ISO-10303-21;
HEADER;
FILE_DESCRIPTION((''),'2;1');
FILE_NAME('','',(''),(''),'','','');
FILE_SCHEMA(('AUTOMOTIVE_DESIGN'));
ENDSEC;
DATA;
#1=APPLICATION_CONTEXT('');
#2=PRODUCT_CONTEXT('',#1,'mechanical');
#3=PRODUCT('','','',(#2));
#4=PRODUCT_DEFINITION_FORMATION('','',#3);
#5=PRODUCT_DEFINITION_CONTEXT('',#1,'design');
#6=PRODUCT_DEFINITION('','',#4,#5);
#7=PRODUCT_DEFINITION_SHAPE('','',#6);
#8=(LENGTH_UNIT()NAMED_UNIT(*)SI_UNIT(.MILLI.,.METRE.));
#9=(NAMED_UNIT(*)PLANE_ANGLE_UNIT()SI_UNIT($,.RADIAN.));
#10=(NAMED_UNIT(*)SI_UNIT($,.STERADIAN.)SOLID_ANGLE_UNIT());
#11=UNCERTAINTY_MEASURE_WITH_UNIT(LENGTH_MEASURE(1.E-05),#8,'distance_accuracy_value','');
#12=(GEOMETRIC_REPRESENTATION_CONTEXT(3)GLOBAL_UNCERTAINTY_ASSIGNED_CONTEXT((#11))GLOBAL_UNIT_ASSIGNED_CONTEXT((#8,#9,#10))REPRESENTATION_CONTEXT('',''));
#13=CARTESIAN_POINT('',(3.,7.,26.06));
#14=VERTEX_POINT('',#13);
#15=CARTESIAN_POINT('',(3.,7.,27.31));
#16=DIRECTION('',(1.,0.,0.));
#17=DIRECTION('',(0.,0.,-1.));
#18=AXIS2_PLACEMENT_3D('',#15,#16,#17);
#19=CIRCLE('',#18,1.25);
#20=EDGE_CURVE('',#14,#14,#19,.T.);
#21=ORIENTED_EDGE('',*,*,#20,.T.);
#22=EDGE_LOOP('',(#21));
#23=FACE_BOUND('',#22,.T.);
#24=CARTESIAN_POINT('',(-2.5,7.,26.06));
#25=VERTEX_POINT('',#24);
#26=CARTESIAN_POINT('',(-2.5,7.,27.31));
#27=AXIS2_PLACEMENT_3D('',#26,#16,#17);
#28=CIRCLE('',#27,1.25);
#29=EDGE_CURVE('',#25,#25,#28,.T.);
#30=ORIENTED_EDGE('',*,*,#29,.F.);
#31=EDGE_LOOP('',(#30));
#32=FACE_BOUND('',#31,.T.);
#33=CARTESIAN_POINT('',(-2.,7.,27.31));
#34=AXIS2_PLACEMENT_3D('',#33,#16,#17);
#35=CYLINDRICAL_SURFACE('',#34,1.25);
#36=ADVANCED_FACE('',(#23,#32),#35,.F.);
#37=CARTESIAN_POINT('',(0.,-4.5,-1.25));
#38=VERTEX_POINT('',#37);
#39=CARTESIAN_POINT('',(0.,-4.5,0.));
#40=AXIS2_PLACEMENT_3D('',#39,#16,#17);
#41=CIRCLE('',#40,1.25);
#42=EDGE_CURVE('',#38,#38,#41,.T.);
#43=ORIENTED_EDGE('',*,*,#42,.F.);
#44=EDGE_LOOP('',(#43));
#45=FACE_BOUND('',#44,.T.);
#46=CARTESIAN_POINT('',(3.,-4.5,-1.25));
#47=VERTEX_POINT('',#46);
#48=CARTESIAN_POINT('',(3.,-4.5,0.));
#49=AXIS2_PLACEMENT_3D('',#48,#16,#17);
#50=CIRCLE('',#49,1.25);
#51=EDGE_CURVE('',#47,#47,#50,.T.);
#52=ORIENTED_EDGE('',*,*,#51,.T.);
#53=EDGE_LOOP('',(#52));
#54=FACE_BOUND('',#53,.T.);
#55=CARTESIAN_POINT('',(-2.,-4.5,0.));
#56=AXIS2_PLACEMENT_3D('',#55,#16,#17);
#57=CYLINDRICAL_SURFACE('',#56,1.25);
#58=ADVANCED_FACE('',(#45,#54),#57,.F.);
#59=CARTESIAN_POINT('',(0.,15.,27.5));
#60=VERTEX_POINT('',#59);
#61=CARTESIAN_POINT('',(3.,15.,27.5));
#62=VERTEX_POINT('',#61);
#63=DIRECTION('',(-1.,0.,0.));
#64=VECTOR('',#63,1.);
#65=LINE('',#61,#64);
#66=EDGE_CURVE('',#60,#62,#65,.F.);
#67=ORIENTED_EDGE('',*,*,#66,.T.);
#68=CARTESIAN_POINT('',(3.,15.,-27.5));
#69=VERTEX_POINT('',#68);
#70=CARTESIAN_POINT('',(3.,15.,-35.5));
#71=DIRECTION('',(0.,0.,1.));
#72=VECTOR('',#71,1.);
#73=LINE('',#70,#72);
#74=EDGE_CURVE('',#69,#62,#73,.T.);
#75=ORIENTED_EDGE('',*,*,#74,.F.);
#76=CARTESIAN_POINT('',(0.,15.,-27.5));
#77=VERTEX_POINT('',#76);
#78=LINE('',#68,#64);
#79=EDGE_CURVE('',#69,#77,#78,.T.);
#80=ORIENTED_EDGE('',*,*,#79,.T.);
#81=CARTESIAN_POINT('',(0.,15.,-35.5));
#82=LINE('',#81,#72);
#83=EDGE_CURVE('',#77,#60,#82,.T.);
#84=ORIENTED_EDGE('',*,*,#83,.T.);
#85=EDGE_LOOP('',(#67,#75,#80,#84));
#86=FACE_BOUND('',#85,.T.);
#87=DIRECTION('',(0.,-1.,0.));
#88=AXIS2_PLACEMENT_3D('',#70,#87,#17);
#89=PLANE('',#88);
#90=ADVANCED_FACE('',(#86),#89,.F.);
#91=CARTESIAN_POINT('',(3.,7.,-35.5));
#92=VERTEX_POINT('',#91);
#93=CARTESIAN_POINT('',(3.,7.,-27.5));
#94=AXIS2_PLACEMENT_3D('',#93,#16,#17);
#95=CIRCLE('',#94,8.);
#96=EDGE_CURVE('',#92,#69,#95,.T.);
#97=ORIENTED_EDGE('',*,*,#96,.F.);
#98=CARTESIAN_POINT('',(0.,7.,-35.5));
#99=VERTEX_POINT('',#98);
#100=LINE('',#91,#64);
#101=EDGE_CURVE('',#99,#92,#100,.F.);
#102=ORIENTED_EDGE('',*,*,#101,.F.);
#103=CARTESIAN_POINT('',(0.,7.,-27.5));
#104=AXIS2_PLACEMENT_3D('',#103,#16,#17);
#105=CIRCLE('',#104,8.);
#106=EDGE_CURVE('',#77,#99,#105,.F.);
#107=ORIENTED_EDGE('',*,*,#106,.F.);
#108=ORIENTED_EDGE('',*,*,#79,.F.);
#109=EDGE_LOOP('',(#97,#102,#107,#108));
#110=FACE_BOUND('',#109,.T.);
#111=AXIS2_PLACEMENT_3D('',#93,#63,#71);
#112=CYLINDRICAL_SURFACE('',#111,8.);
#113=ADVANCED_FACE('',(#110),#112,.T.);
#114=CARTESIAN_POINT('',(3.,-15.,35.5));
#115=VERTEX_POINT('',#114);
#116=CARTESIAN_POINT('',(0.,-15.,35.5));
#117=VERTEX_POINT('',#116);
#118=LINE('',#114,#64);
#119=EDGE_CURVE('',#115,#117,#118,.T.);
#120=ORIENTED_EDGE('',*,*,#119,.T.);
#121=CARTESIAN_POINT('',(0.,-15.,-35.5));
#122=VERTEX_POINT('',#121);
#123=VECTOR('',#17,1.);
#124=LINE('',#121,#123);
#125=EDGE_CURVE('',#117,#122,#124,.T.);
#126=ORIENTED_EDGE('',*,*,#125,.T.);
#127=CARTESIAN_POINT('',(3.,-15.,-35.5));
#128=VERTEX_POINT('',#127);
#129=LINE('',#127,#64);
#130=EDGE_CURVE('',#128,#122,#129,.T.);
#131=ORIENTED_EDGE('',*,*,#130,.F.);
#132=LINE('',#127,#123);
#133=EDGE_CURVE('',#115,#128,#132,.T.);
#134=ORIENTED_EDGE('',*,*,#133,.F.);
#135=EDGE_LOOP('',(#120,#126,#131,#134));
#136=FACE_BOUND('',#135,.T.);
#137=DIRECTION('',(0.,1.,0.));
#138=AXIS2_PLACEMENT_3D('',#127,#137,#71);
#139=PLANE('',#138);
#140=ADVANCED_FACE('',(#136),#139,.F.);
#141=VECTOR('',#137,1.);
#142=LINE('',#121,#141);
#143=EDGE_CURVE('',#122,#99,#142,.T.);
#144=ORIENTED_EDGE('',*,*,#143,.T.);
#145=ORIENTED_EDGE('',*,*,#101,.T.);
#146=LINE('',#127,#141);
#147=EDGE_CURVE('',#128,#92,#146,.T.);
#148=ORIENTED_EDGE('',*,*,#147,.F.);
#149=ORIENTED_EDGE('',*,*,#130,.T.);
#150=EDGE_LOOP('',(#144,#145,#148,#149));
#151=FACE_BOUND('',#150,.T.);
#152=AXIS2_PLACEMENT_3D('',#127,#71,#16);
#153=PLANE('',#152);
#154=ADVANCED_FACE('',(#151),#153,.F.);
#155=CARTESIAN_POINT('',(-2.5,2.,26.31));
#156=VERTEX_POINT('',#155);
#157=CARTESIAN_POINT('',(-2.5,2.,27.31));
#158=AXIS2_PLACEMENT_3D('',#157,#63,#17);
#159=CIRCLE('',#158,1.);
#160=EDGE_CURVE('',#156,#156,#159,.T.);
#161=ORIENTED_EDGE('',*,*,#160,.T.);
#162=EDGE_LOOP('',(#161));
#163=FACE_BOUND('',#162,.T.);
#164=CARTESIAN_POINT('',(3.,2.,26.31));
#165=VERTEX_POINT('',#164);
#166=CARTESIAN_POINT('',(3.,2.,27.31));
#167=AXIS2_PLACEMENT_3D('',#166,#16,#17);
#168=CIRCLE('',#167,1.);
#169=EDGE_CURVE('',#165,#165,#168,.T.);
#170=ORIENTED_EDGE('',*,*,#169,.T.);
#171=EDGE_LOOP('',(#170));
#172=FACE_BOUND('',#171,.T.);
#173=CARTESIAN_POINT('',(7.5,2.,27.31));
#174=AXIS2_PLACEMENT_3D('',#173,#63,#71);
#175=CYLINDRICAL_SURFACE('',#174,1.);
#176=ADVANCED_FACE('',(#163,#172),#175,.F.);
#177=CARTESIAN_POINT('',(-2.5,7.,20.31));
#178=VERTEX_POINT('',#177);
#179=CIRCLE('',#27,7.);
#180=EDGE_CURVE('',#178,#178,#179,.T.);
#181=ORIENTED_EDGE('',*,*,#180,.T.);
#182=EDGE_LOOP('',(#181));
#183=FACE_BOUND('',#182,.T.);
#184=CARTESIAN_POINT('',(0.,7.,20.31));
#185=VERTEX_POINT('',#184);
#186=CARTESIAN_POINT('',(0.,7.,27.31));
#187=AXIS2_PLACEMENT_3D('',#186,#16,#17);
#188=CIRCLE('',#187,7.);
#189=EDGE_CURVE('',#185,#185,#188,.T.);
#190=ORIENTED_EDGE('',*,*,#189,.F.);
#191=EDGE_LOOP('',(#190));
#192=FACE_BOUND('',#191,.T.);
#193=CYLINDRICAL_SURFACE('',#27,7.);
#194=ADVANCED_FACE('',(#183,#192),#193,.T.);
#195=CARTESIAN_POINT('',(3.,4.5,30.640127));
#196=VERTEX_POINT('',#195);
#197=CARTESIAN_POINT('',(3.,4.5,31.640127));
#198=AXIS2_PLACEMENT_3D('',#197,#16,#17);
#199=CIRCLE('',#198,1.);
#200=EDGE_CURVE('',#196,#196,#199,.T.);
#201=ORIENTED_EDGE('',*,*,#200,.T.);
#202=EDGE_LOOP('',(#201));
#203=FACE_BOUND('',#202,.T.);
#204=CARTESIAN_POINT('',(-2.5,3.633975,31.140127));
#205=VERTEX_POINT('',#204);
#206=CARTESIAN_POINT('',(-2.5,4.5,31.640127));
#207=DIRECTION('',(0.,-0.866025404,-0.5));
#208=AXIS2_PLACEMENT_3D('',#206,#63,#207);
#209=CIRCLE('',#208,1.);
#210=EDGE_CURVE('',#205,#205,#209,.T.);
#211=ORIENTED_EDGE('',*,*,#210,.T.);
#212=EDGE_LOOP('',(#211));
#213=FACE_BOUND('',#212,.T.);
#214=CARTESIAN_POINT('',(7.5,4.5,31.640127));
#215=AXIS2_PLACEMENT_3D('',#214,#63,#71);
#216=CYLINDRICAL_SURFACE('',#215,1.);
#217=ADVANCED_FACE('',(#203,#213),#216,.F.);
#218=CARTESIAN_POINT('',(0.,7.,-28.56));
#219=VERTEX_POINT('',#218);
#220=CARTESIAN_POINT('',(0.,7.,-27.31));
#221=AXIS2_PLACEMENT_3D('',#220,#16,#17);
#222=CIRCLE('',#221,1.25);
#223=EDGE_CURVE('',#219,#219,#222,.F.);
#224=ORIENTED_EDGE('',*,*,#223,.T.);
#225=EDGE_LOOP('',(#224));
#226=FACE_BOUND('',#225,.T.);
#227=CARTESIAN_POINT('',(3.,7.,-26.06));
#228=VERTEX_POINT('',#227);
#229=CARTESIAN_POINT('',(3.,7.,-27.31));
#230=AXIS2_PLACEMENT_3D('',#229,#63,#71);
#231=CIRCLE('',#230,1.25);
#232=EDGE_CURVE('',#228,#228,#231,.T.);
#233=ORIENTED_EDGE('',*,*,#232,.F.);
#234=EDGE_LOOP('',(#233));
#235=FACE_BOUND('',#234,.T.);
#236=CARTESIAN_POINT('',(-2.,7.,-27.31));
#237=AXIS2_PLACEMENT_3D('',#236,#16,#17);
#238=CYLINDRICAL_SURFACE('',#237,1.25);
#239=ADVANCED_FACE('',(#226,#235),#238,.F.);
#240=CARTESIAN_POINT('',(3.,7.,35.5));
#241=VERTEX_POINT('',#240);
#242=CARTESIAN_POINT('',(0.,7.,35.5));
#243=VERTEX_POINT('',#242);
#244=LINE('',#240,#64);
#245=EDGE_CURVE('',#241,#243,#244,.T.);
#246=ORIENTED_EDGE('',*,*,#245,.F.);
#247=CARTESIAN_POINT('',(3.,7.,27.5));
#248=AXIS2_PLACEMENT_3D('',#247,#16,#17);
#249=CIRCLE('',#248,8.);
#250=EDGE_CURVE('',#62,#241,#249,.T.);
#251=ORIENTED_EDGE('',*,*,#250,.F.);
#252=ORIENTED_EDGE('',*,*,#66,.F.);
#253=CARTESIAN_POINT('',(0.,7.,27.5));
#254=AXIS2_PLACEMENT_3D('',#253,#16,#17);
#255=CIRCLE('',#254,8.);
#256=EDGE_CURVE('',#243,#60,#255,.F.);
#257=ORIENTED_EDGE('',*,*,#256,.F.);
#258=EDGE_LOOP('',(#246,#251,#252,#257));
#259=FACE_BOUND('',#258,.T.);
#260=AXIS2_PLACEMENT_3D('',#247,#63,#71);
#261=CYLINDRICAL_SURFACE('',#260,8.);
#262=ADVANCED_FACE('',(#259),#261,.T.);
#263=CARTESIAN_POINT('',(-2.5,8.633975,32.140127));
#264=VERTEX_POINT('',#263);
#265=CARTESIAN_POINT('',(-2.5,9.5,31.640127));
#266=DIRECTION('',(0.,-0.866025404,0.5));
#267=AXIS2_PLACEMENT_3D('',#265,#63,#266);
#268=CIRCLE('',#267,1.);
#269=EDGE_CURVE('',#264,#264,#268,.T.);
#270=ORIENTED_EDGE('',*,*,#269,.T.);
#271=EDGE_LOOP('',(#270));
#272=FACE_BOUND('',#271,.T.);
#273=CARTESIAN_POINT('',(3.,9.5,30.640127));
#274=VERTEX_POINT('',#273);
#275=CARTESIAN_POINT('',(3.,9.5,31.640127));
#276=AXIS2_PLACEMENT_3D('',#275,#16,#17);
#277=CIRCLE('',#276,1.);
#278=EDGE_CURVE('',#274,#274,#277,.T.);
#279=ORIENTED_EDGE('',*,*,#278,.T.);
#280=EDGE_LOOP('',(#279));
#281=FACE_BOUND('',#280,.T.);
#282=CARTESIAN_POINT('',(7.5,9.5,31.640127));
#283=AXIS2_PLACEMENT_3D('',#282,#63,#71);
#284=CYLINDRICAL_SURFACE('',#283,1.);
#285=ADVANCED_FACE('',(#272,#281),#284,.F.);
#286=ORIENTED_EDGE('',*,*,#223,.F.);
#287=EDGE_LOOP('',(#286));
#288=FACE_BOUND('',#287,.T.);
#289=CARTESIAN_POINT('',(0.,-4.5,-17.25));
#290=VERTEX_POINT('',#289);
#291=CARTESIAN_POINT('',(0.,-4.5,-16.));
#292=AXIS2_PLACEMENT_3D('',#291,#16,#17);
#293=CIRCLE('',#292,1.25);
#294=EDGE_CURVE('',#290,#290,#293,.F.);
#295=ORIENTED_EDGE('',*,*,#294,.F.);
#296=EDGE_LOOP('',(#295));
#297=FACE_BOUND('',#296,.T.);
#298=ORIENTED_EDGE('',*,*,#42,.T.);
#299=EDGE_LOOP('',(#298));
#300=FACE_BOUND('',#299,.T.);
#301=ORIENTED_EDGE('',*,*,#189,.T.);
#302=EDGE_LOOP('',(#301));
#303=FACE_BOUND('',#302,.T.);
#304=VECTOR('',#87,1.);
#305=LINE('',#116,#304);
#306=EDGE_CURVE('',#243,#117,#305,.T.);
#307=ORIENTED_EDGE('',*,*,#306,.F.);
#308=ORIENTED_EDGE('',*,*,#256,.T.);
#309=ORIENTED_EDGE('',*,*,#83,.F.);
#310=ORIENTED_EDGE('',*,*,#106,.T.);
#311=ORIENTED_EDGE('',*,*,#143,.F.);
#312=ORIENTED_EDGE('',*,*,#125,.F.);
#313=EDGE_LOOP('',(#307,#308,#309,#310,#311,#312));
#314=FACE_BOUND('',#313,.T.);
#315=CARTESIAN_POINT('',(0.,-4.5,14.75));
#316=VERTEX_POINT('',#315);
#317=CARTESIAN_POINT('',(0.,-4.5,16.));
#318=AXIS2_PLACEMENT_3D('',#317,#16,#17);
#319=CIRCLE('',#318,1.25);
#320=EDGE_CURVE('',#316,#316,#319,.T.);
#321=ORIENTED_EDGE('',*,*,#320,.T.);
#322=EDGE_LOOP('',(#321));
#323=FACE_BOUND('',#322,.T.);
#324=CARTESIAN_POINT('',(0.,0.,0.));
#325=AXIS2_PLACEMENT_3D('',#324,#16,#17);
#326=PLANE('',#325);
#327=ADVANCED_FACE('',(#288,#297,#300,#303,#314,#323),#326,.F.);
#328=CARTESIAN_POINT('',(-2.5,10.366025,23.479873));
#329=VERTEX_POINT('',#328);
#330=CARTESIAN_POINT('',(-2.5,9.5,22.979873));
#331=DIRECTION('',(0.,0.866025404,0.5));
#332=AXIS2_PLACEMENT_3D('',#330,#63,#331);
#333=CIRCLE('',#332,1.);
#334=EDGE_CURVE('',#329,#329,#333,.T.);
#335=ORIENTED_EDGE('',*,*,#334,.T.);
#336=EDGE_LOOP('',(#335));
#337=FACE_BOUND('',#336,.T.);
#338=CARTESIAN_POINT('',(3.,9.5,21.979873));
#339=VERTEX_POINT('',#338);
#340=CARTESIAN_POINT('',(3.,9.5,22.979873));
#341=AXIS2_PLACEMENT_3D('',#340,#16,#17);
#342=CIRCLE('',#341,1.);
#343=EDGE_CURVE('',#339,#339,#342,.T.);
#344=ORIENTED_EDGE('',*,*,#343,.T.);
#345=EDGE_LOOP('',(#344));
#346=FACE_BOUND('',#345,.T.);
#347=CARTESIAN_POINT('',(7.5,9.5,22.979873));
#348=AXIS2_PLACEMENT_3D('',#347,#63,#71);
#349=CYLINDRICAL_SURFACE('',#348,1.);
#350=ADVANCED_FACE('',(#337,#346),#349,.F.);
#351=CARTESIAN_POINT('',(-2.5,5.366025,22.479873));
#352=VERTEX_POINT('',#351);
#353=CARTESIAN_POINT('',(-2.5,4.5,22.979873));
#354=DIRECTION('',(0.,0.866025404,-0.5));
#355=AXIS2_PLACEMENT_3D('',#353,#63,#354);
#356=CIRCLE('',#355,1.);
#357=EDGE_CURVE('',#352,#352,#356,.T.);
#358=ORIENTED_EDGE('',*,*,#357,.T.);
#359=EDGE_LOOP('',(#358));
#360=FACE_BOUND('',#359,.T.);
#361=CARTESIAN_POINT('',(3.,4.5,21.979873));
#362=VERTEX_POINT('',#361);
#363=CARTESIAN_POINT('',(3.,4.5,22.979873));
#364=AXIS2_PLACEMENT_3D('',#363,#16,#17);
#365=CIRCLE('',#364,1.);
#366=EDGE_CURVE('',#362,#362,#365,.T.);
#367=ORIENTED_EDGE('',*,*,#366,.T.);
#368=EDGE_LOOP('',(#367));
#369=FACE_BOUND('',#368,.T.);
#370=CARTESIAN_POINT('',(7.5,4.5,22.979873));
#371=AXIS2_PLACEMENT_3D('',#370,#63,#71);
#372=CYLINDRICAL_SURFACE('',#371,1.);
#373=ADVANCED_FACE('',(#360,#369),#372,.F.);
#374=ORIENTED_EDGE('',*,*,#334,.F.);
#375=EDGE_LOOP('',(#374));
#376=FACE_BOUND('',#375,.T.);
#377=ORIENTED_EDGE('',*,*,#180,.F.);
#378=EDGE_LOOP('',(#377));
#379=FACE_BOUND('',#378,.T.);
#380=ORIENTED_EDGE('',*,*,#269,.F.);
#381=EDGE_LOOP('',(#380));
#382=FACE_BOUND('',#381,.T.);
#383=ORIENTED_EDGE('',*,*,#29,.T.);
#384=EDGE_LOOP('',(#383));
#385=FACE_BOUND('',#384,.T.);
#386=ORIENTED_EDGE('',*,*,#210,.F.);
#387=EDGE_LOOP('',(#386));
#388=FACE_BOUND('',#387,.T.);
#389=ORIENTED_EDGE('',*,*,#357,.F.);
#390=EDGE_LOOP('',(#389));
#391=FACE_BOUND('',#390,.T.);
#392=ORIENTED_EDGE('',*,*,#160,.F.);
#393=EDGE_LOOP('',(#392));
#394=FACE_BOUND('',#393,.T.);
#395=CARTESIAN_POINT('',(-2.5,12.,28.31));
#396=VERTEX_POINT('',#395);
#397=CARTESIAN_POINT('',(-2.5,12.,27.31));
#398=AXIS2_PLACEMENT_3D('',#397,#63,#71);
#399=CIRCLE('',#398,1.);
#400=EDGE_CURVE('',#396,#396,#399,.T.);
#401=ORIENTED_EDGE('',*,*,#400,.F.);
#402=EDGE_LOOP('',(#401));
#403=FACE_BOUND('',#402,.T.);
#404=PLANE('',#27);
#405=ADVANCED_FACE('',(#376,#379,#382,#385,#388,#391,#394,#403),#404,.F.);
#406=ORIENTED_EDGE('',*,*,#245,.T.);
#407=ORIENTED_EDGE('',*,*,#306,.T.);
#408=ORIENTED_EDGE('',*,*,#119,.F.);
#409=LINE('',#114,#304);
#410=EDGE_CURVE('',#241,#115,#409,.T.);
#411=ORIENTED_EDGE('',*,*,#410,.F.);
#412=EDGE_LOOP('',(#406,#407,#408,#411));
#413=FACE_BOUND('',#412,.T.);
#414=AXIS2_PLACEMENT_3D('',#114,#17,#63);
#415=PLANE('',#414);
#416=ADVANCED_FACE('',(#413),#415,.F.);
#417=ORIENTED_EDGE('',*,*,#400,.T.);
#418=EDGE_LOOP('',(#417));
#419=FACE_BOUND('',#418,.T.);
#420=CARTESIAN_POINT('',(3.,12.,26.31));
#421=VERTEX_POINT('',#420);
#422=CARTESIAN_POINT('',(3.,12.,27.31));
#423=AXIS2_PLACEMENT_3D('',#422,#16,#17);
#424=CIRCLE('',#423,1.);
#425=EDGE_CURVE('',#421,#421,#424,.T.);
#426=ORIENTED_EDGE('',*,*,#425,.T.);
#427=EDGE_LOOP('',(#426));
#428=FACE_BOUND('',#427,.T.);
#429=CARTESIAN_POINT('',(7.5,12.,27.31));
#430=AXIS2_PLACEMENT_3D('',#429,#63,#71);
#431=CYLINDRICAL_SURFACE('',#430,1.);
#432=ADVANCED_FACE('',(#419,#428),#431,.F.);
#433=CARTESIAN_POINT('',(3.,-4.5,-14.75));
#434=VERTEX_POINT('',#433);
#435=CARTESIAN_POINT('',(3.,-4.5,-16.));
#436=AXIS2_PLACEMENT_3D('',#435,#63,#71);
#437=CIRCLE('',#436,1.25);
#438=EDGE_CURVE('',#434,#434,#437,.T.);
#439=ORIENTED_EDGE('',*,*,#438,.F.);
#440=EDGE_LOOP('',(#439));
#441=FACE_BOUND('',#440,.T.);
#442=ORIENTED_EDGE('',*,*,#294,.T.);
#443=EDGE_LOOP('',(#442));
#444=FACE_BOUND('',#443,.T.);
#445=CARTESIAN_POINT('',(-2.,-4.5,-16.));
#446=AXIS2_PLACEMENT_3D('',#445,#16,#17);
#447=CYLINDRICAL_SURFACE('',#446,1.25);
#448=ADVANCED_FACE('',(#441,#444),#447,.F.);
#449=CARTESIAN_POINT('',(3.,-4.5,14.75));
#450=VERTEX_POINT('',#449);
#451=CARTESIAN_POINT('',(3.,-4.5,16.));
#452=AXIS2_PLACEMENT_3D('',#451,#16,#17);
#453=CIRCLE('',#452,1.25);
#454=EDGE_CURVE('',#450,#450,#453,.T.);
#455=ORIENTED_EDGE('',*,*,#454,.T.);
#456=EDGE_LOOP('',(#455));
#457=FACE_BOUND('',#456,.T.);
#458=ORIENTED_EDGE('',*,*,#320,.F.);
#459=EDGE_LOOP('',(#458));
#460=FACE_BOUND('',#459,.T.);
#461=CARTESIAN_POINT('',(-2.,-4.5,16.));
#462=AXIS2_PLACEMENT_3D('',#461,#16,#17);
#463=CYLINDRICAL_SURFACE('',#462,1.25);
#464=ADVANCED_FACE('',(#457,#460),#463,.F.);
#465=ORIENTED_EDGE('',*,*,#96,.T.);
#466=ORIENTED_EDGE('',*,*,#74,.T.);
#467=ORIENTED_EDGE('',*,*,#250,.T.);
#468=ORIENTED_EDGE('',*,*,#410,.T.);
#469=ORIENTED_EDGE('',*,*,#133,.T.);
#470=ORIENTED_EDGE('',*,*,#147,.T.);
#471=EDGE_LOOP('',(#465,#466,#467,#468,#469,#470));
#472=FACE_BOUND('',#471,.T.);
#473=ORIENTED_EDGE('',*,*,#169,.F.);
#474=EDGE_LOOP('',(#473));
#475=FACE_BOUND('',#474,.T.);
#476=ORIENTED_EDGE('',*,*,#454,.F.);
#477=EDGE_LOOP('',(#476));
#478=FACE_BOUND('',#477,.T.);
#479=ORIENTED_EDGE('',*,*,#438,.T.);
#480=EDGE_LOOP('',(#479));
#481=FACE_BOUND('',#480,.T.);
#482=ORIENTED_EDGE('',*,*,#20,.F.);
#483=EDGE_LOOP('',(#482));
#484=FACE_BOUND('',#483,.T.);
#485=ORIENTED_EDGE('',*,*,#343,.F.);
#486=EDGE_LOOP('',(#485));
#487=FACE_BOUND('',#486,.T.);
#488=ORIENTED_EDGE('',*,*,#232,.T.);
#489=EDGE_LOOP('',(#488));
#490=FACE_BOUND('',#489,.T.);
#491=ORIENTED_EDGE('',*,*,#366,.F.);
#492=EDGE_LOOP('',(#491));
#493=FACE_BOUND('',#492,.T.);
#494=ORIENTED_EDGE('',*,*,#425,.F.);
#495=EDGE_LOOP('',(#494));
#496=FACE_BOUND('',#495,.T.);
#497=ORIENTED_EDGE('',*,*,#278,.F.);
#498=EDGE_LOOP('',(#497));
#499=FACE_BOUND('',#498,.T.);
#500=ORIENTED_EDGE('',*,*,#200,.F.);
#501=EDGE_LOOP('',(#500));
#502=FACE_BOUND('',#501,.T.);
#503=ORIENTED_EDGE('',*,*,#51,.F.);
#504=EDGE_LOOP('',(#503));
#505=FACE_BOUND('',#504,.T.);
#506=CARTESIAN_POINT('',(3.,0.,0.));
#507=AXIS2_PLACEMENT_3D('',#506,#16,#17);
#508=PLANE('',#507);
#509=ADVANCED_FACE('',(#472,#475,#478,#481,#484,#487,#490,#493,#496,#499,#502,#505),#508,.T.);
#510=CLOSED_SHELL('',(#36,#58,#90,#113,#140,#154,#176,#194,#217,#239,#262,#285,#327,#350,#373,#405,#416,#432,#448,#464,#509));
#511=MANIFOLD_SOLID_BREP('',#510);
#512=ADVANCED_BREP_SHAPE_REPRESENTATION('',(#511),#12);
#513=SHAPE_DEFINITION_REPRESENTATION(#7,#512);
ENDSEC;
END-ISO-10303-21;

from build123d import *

# Parameters (mm, degrees)
SKETCH1_W           = 71
SKETCH1_H           = 30
BOSS_EXTRUDE1_DEPTH = 3
SKETCH2_R           = 1.25
CUT_EXTRUDE1_DEPTH  = 5
FILLET1_R           = 8
SKETCH3_R           = 7
SKETCH3_R_2         = 1.25
BOSS_EXTRUDE2_DEPTH = 2.5
SKETCH4_R           = 1
CUT_EXTRUDE2_DEPTH  = 10
CIRPATTERN1_COUNT   = 6


with BuildPart() as part:
    # Sketch1 → Boss-Extrude1 (new body)
    with BuildSketch(Plane(origin=(0, 0, 0), x_dir=(0, 0, -1), z_dir=(1, 0, 0))):
        Rectangle(SKETCH1_W, SKETCH1_H)
    extrude(amount=BOSS_EXTRUDE1_DEPTH)

    # Sketch2 → Cut-Extrude1 (cut)
    with BuildSketch(Plane(origin=(3, 0, 0), x_dir=(0, 0, -1), z_dir=(1, 0, 0))):
        with Locations((-27.31, 7)):
            Circle(SKETCH2_R)
        with Locations((0, -4.5)):
            Circle(SKETCH2_R)
        with Locations((-16, -4.5)):
            Circle(SKETCH2_R)
    cut_extrude1 = extrude(amount=-CUT_EXTRUDE1_DEPTH, mode=Mode.SUBTRACT)

    # Mirror1: Cut-Extrude1 across plane
    add(cut_extrude1.mirror(Plane.XY), mode=Mode.SUBTRACT)

    # Fillet1
    fillet1_edges = [part.edges().sort_by_distance(p)[0] for p in [
        (1.5, 15, 35.5),
        (1.5, 15, -35.5),
    ]]
    fillet(fillet1_edges, radius=FILLET1_R)

    # Sketch3 → Boss-Extrude2 (add)
    with BuildSketch(Plane(origin=(0, 0, 0), x_dir=(0, 0, -1), z_dir=(1, 0, 0))):
        with Locations((-27.31, 7)):
            Circle(SKETCH3_R)
        with Locations((-27.31, 7)):
            Circle(SKETCH3_R_2, mode=Mode.SUBTRACT)
    extrude(amount=-BOSS_EXTRUDE2_DEPTH)

    # Sketch4 → Cut-Extrude2 (cut)
    with BuildSketch(Plane.ZY.offset(2.5)):
        with Locations((27.31, 12)):
            Circle(SKETCH4_R)
    cut_extrude2 = extrude(amount=-CUT_EXTRUDE2_DEPTH, mode=Mode.SUBTRACT)

    # CirPattern1: Cut-Extrude2 ×6 about axis
    cirpattern1_axis = Axis((0, 7, 27.31), (1, 0, 0))
    for i in range(1, CIRPATTERN1_COUNT):
        add(cut_extrude2.rotate(cirpattern1_axis, i * 360 / CIRPATTERN1_COUNT), mode=Mode.SUBTRACT)


solid = part.part
